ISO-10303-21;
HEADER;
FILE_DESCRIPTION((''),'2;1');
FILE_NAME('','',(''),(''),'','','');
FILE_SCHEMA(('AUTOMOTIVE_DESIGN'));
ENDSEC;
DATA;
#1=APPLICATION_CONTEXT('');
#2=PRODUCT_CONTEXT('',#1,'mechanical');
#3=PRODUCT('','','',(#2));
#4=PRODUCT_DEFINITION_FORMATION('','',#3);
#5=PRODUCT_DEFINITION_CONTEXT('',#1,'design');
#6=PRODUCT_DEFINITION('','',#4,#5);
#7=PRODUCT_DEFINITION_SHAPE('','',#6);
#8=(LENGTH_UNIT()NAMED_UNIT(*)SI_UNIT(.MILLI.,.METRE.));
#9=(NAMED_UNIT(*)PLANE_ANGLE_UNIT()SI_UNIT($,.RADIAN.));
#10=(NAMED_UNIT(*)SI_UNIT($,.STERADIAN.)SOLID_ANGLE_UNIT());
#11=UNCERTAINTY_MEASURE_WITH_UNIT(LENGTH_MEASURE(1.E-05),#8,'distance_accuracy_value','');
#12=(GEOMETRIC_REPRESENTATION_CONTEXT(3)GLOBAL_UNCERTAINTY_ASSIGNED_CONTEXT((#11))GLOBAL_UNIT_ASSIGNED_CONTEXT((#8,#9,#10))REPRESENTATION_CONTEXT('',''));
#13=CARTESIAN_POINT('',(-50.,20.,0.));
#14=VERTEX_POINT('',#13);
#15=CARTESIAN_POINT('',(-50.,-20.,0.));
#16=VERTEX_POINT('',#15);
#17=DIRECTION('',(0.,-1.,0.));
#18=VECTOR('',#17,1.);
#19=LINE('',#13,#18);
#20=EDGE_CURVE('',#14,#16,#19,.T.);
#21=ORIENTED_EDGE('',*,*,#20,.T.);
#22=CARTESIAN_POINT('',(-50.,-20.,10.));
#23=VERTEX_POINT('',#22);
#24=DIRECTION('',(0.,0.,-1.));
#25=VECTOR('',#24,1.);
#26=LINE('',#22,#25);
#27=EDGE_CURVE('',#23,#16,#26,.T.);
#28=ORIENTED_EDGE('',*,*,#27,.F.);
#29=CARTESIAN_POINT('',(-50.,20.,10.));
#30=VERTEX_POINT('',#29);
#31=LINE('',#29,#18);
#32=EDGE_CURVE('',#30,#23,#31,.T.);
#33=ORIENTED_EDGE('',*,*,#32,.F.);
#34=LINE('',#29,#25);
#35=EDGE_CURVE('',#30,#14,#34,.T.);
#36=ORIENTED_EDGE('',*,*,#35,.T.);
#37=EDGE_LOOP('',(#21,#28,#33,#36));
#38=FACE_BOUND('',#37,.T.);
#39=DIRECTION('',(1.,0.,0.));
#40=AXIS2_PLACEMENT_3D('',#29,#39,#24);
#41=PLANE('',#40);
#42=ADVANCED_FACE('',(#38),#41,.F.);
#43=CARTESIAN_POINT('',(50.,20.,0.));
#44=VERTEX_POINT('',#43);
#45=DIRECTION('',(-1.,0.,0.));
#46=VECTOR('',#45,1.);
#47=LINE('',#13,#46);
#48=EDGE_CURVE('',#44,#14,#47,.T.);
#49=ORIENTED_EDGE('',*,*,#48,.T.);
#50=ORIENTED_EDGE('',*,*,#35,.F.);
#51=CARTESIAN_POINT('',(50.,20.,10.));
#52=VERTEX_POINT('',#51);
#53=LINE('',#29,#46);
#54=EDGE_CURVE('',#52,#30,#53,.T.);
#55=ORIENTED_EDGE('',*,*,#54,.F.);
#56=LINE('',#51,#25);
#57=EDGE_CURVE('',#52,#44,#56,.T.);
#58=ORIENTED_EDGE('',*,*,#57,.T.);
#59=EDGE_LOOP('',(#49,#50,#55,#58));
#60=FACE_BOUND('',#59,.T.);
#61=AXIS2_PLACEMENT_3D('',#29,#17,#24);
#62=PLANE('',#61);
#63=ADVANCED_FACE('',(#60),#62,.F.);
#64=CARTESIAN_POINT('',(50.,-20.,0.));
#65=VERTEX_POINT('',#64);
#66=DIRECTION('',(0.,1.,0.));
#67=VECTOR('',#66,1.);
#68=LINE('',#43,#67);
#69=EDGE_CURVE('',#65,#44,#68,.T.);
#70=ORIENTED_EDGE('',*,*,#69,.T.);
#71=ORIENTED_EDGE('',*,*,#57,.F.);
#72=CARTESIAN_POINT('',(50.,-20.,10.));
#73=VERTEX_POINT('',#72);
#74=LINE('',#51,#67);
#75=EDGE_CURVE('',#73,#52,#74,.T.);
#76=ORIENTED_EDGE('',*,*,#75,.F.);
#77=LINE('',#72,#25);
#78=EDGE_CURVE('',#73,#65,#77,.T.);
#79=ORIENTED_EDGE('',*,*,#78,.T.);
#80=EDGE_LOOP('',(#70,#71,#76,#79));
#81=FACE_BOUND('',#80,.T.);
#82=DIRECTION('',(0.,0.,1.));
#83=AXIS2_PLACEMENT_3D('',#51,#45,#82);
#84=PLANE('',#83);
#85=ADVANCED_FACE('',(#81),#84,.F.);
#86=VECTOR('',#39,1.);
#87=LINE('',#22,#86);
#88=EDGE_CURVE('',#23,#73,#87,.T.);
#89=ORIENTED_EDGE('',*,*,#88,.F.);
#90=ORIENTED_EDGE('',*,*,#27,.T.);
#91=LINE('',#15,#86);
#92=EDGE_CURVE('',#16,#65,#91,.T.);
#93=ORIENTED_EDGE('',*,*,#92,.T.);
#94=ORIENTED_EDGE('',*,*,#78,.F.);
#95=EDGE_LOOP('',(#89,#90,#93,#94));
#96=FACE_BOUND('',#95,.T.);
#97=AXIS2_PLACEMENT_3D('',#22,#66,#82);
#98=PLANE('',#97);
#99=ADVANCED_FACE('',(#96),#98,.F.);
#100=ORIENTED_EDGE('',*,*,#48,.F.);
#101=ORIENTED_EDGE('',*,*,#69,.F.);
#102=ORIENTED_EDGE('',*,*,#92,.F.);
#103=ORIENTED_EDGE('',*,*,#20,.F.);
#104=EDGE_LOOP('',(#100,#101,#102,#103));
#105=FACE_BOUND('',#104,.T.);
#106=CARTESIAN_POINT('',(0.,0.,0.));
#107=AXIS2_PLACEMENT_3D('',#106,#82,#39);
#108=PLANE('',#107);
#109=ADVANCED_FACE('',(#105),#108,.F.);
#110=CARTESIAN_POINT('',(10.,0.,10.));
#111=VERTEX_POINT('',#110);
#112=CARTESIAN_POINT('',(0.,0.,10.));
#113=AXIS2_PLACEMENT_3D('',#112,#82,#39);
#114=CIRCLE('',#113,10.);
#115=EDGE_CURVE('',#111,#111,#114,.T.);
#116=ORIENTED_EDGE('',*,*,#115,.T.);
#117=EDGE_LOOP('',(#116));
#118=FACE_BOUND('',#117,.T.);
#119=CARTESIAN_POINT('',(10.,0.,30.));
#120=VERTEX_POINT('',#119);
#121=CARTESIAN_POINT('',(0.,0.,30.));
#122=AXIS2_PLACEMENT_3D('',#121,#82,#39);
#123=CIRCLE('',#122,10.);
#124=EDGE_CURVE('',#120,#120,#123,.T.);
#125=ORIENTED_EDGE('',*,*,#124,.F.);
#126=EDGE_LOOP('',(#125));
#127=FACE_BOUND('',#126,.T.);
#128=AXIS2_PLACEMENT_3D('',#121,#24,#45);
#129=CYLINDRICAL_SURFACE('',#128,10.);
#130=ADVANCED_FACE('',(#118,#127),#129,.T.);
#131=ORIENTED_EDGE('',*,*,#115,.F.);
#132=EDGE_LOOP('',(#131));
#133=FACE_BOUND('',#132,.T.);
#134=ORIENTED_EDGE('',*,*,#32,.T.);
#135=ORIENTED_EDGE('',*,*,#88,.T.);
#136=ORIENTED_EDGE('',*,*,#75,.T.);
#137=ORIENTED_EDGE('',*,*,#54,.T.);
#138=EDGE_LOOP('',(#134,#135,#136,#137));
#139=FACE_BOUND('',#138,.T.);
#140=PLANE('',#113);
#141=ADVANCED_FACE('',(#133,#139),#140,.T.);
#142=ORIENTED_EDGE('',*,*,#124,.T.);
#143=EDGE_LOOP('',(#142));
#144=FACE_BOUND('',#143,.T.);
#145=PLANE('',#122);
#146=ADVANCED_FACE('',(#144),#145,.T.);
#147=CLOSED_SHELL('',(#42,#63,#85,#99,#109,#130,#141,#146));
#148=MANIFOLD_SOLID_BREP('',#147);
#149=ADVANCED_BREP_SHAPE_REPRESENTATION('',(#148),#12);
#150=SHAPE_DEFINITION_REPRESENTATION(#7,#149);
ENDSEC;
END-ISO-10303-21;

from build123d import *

# Parameters (mm, degrees)
SKETCH_2_W      = 100
SKETCH_2_H      = 40
EXTRUDE_1_DEPTH = 10
SKETCH_3_R      = 10
EXTRUDE_2_DEPTH = 20


with BuildPart() as part:
    # 草图2 → 凸台-拉伸1 (new body)
    with BuildSketch(Plane.XY):
        Rectangle(SKETCH_2_W, SKETCH_2_H)
    extrude(amount=EXTRUDE_1_DEPTH)

    # 草图3 → 凸台-拉伸2 (add)
    with BuildSketch(Plane.XY.offset(10)):
        Circle(SKETCH_3_R)
    extrude(amount=EXTRUDE_2_DEPTH)


solid = part.part
